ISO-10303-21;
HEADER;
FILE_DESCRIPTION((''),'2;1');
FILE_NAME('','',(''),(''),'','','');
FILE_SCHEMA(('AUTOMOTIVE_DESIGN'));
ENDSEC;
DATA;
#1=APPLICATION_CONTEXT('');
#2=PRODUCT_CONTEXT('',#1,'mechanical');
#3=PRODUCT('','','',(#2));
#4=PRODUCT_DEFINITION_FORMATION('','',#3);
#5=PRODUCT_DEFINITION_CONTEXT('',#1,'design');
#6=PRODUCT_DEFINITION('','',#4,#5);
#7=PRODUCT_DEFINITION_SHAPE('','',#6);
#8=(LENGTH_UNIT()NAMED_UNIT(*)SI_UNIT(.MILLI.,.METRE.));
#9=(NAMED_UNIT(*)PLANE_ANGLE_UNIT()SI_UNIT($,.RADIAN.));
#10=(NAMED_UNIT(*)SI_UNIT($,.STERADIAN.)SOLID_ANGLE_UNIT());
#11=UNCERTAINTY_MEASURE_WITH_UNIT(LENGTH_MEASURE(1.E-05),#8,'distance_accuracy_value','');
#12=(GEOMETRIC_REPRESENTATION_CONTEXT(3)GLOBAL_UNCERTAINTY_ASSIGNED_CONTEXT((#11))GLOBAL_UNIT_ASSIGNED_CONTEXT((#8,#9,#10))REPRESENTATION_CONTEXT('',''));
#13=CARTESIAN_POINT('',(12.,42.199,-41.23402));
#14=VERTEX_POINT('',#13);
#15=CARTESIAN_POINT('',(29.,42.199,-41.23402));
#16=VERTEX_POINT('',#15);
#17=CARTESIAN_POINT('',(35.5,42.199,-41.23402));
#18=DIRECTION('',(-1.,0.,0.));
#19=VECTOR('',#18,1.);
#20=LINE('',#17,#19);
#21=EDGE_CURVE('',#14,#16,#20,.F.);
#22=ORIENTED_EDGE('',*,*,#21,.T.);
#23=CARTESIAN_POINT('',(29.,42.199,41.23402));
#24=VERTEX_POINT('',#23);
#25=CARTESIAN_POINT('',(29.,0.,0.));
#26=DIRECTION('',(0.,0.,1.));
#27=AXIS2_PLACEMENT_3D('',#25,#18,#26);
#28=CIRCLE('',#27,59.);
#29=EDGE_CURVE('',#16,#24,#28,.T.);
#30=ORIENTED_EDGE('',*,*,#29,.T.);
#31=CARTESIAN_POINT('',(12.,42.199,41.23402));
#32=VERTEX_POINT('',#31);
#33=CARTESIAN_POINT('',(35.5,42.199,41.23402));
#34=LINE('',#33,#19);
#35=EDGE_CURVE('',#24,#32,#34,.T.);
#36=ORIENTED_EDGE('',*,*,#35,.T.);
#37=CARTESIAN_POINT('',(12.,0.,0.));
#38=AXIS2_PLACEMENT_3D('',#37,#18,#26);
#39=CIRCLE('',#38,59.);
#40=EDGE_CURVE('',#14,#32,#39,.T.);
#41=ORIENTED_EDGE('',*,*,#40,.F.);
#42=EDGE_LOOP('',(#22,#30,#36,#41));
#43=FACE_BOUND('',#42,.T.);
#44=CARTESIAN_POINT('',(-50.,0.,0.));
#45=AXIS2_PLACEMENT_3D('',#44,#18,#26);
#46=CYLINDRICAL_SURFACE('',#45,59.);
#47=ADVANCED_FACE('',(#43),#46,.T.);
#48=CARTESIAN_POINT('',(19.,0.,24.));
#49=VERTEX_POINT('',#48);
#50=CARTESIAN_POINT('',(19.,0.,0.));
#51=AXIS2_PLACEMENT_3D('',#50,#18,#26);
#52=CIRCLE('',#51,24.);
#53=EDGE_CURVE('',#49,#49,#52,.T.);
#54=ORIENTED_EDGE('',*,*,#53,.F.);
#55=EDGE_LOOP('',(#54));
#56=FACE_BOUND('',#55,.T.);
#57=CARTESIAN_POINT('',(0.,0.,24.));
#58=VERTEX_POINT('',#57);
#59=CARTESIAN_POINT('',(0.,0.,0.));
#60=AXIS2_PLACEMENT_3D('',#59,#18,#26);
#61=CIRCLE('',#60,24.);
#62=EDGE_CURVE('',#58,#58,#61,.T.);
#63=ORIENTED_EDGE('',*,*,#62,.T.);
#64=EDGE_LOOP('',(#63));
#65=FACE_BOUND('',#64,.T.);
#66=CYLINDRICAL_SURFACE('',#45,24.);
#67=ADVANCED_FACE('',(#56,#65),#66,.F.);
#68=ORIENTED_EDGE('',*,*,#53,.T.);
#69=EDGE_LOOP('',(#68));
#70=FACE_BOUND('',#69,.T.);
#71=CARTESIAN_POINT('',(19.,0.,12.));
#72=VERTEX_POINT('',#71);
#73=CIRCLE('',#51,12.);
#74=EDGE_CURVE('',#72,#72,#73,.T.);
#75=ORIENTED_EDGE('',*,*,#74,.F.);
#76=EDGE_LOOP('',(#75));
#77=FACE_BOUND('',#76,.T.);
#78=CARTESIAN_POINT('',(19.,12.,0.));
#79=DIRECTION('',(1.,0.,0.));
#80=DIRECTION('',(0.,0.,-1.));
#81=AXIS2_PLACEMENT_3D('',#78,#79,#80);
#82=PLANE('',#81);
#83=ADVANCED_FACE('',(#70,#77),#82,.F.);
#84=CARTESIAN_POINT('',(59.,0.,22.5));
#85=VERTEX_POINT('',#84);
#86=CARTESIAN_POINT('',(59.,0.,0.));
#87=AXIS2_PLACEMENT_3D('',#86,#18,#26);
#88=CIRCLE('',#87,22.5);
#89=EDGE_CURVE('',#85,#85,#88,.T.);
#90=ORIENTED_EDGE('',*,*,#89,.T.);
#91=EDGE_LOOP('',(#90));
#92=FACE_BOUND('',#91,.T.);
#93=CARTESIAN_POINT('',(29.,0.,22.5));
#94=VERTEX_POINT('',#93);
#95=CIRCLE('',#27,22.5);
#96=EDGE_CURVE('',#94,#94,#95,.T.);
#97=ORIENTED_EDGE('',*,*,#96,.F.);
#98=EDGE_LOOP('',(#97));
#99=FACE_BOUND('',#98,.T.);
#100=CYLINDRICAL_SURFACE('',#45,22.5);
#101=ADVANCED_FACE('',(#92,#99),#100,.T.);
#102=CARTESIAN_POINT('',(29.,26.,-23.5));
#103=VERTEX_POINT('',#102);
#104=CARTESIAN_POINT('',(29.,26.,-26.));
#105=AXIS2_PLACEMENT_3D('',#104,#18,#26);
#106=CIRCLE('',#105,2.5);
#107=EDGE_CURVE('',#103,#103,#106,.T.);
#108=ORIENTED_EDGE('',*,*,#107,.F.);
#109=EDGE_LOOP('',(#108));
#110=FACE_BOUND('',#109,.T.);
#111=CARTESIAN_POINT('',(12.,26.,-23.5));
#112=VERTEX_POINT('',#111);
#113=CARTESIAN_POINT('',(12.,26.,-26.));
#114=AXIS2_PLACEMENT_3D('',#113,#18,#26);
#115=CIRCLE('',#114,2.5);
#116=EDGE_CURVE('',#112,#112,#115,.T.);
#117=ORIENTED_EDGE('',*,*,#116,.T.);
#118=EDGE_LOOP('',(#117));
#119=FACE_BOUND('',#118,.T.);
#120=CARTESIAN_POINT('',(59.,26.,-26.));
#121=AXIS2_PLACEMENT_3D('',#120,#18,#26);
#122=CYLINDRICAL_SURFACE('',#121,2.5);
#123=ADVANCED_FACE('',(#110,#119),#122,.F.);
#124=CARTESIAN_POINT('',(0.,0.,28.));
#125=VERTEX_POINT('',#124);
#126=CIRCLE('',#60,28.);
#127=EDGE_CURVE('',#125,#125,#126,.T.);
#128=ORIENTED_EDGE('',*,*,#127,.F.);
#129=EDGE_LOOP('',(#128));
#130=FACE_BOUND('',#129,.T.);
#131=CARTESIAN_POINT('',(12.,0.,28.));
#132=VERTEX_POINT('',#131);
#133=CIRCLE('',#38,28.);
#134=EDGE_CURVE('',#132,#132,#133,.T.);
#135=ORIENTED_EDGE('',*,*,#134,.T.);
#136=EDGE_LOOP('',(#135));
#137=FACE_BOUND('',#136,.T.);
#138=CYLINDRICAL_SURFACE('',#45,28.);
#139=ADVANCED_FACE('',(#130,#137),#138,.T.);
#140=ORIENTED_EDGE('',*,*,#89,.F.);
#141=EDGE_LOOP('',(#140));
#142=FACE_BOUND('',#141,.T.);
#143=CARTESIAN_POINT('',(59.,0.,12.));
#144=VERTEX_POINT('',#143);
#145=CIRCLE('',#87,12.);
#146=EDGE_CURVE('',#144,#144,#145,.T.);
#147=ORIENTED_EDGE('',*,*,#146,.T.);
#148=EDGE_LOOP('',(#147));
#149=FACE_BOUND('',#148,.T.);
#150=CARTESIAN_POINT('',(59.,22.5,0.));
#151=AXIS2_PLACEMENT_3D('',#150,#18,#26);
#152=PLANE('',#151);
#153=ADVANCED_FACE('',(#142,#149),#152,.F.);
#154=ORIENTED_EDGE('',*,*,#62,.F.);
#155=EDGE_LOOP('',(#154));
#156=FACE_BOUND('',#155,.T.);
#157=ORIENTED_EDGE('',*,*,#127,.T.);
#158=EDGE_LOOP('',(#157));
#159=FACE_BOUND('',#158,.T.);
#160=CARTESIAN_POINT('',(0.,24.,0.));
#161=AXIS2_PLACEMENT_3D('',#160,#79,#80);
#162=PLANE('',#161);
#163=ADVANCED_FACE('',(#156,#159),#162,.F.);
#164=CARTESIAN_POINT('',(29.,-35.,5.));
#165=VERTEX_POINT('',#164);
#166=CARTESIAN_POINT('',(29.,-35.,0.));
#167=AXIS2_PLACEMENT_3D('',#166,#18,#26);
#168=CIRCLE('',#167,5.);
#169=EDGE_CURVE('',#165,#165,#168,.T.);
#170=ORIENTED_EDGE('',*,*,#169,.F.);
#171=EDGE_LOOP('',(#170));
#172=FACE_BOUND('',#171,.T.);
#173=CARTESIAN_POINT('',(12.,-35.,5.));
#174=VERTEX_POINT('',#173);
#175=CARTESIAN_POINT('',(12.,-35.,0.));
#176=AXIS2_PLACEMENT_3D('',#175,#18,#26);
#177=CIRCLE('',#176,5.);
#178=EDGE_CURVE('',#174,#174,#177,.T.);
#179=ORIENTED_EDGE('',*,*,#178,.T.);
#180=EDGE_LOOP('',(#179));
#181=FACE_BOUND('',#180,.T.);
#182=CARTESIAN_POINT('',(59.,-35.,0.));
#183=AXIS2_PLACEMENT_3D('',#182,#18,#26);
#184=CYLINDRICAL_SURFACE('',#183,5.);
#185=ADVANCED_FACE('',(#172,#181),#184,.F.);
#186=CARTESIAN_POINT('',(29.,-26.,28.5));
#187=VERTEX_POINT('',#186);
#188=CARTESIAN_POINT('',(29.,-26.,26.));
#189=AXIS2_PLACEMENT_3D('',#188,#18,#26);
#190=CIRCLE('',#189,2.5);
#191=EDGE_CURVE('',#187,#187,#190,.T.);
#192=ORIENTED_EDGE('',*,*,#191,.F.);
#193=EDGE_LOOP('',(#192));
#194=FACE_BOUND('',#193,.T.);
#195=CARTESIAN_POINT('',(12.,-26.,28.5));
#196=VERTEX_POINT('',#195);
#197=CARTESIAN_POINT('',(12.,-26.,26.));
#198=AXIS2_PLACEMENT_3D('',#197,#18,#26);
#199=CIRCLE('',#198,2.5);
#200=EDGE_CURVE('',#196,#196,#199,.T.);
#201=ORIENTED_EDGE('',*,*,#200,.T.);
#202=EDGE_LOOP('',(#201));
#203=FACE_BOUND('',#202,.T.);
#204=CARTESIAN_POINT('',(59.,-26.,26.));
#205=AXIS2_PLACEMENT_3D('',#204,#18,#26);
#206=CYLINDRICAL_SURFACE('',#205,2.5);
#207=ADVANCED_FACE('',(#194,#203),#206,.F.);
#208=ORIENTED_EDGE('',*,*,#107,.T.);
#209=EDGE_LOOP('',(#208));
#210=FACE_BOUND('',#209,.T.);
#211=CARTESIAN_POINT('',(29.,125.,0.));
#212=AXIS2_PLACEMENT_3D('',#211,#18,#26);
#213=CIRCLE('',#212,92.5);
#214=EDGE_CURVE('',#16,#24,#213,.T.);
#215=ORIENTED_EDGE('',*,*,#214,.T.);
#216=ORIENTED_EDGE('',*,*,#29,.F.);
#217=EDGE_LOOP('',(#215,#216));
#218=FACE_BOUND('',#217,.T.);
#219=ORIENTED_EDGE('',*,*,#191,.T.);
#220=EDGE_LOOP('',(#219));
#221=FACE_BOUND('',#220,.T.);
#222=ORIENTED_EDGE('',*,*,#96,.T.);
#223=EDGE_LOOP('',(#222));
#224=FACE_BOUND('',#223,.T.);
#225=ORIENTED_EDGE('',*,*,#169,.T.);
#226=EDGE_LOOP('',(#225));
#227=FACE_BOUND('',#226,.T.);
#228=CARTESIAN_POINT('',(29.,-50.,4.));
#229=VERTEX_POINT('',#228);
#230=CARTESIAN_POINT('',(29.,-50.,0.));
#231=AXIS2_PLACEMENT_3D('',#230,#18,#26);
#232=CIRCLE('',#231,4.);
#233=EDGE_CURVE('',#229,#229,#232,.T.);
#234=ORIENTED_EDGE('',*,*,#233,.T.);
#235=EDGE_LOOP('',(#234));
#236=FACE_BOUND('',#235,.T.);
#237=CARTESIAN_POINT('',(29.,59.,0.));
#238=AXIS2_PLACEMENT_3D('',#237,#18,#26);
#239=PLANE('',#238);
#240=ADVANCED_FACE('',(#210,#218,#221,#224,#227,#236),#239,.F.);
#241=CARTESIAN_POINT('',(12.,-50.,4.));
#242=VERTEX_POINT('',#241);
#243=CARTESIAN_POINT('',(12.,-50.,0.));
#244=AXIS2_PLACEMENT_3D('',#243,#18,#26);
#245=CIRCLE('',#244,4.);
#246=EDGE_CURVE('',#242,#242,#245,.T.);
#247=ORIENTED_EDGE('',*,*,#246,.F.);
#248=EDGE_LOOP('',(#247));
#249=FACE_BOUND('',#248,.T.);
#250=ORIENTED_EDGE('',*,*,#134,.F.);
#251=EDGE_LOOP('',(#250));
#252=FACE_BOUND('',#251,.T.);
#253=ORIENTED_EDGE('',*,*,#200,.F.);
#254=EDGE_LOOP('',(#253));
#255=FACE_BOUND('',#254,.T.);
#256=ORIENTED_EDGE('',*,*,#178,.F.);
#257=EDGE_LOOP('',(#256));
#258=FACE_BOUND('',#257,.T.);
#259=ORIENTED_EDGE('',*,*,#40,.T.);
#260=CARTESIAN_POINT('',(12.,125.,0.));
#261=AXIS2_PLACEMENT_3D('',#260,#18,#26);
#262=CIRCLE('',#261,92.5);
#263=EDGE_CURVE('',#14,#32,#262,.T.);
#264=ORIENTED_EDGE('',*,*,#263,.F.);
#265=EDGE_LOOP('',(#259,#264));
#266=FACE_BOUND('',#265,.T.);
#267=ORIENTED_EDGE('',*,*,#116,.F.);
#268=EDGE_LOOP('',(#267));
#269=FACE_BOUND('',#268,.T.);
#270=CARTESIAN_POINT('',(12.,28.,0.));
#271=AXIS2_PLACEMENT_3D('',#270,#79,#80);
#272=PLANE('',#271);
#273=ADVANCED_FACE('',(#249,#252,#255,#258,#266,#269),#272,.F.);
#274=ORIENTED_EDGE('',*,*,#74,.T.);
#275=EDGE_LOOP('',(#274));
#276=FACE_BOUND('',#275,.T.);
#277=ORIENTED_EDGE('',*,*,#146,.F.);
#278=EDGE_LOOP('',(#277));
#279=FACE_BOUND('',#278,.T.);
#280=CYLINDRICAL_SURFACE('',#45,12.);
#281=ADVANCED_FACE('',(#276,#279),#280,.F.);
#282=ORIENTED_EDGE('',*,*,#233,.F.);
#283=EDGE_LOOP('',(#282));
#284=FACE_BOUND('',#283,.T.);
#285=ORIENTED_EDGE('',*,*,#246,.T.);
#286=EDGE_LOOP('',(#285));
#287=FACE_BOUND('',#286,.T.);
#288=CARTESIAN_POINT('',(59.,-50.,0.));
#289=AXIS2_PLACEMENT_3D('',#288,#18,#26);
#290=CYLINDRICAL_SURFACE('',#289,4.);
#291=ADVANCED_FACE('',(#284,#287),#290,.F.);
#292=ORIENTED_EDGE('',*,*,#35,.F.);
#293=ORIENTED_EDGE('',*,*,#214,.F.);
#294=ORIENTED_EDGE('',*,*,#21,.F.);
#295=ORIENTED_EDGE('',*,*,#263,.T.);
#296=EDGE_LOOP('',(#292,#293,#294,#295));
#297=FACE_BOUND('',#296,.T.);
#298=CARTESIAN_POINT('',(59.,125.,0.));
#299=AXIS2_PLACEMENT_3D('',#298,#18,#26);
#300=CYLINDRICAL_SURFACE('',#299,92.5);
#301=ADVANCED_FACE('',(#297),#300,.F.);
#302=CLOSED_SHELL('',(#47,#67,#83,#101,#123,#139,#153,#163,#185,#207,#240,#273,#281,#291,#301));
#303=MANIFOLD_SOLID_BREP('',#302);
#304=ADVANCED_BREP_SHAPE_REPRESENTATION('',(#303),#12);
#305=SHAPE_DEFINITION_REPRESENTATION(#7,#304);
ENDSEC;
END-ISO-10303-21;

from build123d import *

# Parameters (mm, degrees)
ESQUISSE2_R             = 92.5
ENL_V_MAT_EXTRU_1_DEPTH = 96.765338197
ESQUISSE6_R             = 5
ESQUISSE6_R_2           = 4
ENL_V_MAT_EXTRU_2_DEPTH = 96.765338197
ESQUISSE7_R             = 2.5
ENL_V_MAT_EXTRU_3_DEPTH = 96.765338197


with BuildPart() as part:
    # Esquisse1 → Base-Révolution (revolve)
    with BuildSketch(Plane.XY, mode=Mode.PRIVATE) as base_r_volution_sk:
        Polygon((0, 24), (0, 28), (12, 28), (12, 59), (29, 59), (29, 22.5), (59, 22.5), (59, 12), (19, 12), (19, 24), align=None)
    revolve(base_r_volution_sk.sketch.rotate(Axis((-50, 0, 0), (1, 0, 0)), 90), axis=Axis((-50, 0, 0), (1, 0, 0)))

    # Esquisse2 → Enlèv. mat.-Extru.1 (cut, through all)
    with BuildSketch(Plane.ZY.offset(-12)):
        with Locations((0, 125)):
            Circle(ESQUISSE2_R)
    extrude(amount=-ENL_V_MAT_EXTRU_1_DEPTH, mode=Mode.SUBTRACT)

    # Esquisse6 → Enlèv. mat.-Extru.2 (cut, through all)
    with BuildSketch(Plane.ZY.offset(-12)):
        with Locations((0, -35)):
            Circle(ESQUISSE6_R)
        with Locations((0, -50)):
            Circle(ESQUISSE6_R_2)
    extrude(amount=-ENL_V_MAT_EXTRU_2_DEPTH, mode=Mode.SUBTRACT)

    # Esquisse7 → Enlèv. mat.-Extru.3 (cut, through all)
    with BuildSketch(Plane.ZY.offset(-12)):
        with Locations((-26, 26)):
            Circle(ESQUISSE7_R)
        with Locations((26, -26)):
            Circle(ESQUISSE7_R)
    extrude(amount=-ENL_V_MAT_EXTRU_3_DEPTH, mode=Mode.SUBTRACT)


solid = part.part
